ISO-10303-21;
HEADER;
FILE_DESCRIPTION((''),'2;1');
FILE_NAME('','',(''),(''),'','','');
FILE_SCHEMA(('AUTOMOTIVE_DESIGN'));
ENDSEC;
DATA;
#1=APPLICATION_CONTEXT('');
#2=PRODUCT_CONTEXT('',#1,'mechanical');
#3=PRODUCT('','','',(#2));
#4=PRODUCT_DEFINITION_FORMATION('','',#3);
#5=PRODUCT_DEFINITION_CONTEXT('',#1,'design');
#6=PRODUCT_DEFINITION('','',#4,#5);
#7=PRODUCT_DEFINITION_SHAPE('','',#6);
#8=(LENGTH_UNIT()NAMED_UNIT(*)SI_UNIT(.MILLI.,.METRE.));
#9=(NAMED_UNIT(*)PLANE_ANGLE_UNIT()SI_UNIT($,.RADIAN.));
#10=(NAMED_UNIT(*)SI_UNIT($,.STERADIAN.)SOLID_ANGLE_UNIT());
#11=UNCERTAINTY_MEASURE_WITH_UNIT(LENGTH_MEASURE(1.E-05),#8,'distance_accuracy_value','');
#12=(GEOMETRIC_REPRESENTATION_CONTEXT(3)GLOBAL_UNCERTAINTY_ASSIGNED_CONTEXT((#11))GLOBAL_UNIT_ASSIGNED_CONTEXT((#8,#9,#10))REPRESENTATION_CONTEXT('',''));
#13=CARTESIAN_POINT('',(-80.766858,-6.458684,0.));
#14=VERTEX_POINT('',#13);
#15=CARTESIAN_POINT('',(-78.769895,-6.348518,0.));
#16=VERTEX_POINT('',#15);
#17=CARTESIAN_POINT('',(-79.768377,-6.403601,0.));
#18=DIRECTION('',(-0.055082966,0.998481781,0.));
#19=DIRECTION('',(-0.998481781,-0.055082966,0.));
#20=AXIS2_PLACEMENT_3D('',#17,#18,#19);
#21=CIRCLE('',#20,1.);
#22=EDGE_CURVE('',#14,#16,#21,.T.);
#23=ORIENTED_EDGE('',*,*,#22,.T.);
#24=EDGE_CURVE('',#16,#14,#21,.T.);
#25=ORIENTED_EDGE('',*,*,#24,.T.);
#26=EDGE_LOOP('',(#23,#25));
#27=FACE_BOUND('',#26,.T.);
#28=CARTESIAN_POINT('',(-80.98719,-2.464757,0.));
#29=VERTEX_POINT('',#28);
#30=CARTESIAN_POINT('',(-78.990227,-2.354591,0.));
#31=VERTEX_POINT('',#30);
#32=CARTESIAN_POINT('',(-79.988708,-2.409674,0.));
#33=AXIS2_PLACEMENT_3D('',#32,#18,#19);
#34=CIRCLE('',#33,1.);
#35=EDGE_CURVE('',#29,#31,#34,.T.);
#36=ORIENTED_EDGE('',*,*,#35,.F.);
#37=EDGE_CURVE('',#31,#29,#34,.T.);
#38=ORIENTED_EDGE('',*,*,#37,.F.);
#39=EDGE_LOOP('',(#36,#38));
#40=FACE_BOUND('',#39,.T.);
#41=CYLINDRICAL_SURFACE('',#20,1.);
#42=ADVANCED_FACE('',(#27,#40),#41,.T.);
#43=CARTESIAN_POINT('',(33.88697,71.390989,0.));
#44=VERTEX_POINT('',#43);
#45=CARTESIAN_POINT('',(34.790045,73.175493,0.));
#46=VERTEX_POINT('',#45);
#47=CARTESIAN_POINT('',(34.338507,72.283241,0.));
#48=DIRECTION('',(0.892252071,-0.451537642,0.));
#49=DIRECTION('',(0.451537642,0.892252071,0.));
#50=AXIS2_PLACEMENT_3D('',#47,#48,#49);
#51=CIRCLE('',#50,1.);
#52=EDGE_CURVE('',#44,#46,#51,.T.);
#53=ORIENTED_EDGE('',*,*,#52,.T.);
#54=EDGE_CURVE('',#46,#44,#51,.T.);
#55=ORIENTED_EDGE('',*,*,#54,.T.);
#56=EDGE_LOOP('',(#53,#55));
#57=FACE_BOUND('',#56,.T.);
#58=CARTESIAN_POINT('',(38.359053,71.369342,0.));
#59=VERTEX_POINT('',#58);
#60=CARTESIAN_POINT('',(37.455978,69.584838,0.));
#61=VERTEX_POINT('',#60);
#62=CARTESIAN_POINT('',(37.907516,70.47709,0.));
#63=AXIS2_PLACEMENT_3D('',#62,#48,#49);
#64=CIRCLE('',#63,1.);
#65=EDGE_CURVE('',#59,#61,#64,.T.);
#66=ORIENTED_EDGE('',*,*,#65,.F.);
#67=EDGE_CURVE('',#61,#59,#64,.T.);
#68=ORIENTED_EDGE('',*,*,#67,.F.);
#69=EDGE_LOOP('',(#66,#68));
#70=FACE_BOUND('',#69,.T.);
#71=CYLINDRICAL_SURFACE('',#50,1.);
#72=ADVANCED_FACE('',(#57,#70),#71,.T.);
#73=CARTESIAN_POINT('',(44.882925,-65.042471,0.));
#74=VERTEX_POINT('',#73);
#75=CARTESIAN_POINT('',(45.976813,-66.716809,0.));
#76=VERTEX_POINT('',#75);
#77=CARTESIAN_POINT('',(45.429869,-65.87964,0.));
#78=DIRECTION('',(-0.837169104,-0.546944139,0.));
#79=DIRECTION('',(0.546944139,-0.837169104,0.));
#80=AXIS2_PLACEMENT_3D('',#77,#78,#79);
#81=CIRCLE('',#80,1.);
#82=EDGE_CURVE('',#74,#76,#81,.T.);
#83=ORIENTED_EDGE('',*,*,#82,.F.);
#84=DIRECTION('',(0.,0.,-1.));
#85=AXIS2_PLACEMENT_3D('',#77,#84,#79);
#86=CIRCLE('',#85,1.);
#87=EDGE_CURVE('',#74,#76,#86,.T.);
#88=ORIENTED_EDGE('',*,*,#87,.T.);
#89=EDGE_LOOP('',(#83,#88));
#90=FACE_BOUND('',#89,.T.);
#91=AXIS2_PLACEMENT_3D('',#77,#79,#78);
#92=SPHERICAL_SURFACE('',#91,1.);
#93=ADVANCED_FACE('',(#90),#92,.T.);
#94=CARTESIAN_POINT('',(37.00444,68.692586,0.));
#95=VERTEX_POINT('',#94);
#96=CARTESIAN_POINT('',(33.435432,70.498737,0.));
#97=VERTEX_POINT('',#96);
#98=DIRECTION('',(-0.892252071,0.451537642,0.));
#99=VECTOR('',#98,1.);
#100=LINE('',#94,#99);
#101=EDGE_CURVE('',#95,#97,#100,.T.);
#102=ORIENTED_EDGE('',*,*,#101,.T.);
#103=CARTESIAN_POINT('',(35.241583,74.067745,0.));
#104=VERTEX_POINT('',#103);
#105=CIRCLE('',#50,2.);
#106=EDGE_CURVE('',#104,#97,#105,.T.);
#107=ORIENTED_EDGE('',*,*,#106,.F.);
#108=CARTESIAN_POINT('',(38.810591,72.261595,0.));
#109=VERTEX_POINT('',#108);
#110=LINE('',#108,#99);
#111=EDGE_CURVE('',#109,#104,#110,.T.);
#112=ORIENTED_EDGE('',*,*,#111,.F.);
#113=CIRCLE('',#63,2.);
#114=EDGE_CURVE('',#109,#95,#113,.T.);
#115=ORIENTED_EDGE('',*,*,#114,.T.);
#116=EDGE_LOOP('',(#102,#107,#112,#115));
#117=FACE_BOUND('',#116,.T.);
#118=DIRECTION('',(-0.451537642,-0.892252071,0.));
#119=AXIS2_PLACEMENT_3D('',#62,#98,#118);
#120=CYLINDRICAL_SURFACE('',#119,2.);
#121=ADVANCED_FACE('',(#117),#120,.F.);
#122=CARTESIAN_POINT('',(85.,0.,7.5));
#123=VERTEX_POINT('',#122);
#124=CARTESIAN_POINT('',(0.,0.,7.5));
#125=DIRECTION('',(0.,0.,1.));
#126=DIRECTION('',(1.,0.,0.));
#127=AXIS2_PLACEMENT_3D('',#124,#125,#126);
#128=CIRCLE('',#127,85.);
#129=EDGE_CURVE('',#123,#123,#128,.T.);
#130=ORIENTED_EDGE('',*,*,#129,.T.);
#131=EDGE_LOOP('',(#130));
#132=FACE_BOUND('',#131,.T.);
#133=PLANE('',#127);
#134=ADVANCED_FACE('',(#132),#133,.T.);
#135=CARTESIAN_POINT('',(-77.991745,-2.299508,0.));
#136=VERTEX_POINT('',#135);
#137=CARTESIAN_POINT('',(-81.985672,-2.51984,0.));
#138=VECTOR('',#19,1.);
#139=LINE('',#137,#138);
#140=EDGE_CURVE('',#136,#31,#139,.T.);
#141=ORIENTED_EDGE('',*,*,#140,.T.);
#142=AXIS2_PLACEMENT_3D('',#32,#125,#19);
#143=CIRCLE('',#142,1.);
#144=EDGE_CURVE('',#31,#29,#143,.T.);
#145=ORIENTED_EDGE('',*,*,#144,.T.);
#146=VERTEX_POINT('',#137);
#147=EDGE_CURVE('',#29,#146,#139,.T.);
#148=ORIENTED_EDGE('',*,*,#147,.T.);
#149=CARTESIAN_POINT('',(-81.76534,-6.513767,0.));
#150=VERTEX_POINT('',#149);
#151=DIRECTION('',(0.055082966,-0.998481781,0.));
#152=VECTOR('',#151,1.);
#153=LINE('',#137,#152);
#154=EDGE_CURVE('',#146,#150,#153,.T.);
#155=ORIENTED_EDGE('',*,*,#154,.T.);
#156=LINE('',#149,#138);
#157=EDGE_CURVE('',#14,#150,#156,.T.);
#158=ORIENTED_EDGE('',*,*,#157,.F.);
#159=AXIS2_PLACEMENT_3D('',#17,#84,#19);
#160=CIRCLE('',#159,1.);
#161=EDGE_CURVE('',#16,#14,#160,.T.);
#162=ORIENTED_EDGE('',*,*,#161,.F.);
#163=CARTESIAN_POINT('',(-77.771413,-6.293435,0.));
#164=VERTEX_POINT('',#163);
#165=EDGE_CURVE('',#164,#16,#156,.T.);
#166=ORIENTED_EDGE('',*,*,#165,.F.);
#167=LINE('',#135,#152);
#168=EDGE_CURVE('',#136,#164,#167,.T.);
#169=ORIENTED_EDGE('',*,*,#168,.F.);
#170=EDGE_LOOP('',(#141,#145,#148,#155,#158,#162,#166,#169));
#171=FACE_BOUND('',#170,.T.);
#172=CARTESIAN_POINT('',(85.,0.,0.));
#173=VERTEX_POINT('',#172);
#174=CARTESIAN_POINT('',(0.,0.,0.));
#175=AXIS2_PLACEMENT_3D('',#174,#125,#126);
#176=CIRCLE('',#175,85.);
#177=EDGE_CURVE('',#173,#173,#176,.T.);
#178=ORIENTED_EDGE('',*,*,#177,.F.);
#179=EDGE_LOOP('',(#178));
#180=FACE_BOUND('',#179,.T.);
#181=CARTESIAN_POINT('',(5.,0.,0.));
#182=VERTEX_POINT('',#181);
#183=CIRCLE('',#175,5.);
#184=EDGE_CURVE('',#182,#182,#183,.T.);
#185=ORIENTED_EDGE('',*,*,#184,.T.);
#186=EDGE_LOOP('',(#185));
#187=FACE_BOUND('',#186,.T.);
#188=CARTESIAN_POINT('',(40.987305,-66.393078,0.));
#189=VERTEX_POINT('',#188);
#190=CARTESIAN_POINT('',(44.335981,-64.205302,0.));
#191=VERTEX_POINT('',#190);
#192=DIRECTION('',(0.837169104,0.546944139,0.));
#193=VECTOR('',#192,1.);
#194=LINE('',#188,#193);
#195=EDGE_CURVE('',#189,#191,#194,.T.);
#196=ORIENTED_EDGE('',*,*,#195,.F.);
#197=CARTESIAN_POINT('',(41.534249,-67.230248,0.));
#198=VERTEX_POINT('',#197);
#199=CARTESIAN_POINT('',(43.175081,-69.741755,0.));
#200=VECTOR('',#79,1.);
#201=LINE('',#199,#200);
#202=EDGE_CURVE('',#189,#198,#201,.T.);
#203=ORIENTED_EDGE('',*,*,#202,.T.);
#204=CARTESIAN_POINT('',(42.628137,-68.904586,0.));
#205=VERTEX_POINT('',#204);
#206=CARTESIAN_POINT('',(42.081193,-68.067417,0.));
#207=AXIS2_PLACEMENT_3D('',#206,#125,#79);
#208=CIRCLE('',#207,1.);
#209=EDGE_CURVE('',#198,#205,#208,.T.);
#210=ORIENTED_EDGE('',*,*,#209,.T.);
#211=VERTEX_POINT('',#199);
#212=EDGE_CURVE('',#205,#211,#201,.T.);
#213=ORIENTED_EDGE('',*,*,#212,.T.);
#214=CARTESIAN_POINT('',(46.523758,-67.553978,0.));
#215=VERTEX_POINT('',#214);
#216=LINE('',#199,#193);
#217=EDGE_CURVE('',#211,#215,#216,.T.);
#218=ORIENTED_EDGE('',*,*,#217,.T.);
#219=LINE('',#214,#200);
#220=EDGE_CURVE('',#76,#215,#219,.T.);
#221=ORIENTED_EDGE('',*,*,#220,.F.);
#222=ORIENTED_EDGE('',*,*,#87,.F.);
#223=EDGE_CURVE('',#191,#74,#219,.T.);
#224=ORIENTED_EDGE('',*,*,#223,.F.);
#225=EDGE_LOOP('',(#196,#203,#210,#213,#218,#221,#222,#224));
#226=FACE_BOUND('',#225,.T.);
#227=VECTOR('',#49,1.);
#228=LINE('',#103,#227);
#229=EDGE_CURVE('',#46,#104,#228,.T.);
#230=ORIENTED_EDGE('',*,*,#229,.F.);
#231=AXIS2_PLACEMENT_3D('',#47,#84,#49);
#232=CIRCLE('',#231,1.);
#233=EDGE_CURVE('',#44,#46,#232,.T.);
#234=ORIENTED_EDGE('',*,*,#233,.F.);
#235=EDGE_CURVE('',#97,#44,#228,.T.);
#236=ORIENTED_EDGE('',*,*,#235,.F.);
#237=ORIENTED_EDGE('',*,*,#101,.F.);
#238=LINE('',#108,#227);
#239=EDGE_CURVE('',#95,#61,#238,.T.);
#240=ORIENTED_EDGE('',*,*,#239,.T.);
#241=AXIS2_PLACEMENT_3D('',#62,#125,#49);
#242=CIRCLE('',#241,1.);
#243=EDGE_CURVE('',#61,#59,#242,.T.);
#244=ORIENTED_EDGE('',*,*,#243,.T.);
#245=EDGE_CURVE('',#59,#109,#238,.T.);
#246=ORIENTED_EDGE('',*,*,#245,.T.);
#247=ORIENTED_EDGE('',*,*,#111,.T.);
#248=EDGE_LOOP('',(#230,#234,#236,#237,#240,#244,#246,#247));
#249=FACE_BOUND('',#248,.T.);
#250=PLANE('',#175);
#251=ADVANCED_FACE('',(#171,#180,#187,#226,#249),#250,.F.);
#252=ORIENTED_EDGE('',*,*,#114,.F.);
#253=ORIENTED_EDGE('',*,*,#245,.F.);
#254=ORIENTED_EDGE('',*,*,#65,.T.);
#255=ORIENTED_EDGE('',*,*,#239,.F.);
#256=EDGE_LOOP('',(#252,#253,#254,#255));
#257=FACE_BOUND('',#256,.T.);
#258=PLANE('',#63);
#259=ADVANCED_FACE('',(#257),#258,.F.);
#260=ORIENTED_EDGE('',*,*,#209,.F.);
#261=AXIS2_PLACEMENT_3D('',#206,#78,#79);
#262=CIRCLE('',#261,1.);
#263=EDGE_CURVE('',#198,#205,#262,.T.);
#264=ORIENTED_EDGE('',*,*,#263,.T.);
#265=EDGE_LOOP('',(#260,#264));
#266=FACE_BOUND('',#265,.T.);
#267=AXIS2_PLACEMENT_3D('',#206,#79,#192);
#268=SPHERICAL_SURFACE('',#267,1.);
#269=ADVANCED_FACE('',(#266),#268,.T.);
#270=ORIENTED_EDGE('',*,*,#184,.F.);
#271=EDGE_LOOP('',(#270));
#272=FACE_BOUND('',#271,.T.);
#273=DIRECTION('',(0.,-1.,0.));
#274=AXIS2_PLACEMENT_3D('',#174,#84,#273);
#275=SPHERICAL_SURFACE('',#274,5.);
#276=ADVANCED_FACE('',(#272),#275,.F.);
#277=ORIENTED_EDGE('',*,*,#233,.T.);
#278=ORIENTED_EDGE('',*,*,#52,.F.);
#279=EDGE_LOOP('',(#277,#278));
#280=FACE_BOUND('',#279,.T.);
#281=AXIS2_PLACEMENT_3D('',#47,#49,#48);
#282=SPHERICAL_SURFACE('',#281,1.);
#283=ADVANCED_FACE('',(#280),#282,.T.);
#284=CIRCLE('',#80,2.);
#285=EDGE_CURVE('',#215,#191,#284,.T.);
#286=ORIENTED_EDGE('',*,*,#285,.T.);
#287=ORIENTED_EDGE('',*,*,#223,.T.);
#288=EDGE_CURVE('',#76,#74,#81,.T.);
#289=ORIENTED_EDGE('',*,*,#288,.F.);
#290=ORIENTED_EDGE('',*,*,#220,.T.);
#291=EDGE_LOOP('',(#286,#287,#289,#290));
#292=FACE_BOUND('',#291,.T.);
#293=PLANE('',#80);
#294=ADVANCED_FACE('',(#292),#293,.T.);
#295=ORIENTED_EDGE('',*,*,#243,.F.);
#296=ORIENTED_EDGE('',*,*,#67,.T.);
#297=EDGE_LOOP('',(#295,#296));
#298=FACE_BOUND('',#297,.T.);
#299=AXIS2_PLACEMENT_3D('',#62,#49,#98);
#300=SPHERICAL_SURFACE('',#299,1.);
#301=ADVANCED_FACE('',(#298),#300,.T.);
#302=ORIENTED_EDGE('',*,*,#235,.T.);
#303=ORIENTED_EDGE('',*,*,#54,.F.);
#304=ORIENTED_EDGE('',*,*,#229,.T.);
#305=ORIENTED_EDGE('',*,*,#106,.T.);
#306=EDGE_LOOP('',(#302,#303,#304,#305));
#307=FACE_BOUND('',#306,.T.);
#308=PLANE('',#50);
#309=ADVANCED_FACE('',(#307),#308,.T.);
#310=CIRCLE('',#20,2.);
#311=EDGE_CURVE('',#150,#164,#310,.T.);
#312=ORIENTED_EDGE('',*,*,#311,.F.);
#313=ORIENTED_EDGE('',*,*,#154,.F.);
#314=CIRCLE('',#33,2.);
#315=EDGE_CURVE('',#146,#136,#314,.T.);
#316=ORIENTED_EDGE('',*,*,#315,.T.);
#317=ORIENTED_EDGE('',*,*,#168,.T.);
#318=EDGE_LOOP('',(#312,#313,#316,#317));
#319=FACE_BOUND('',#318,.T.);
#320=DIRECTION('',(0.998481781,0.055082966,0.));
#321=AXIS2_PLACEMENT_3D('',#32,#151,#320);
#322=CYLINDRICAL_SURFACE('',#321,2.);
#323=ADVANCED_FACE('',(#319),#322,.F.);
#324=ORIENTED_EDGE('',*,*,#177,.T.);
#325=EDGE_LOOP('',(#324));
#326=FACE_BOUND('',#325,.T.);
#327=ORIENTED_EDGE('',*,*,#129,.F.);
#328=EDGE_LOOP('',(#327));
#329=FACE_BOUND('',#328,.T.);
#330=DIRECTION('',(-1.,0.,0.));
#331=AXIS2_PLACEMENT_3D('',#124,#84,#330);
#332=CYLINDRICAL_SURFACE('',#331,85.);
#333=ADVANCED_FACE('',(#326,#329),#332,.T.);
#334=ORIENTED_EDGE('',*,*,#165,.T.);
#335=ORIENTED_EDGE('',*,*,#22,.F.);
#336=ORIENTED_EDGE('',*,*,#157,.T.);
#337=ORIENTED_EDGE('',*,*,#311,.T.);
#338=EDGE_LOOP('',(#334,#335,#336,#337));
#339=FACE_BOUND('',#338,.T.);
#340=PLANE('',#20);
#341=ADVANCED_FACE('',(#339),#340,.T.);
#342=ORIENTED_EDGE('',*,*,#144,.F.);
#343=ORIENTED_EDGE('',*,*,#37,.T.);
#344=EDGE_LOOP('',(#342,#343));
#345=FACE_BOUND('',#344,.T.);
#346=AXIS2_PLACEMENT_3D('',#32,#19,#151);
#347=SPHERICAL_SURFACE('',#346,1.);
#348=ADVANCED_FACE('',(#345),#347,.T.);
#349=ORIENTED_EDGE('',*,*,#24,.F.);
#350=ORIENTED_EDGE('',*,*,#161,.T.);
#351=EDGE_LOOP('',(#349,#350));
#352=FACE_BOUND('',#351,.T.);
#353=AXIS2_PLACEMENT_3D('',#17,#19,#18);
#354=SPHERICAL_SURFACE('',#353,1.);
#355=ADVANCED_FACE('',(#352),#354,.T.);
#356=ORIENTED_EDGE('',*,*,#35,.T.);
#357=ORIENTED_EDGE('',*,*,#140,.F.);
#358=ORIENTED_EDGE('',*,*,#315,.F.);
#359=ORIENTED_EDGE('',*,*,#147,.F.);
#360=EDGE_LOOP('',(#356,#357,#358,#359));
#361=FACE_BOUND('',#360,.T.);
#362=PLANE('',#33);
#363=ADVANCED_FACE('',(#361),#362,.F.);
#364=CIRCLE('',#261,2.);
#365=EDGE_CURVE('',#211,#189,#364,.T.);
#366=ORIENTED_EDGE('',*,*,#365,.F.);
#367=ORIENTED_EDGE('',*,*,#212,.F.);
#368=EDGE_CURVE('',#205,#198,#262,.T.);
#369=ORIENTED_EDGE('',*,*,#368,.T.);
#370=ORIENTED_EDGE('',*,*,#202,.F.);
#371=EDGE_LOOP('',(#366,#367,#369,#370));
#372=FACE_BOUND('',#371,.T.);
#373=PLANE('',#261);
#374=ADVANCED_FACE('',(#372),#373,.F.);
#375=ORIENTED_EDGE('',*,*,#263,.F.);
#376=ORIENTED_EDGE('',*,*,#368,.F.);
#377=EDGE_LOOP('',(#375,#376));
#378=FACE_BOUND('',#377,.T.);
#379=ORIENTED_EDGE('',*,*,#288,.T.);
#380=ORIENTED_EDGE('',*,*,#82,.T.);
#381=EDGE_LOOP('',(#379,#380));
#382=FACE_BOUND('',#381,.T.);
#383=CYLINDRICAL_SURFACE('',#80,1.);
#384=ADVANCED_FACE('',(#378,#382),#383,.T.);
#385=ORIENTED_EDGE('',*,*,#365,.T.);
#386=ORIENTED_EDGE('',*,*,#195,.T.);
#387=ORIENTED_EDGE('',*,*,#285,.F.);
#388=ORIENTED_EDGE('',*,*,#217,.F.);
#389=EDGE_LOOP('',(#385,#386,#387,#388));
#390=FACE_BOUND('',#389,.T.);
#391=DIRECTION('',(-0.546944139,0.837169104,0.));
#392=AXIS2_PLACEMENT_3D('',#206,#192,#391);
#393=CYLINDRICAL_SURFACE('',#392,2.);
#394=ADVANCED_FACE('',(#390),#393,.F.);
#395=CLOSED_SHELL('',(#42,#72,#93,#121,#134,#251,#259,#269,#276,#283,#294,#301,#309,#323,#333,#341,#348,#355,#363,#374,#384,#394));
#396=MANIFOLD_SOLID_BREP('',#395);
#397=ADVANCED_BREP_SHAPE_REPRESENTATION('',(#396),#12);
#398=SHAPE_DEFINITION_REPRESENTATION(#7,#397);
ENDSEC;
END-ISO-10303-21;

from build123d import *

# Parameters (mm, degrees)
SKETCH1_R                = 85
BOSS_EXTRUDE1_DEPTH      = 7.5
CUT_EXTRUDE1_DEPTH       = 2
SKETCH4_R                = 1
BOSS_EXTRUDE2_DEPTH      = 2
REVOLVE1_ANGLE           = 90
CIRPATTERN1_COUNT        = 3
CIRPATTERN1_COPY_1_ANGLE = 90
CIRPATTERN1_COPY_2_ANGLE = 90


with BuildPart() as part:
    # Sketch1 → Boss-Extrude1 (new body)
    with BuildSketch(Plane.XY):
        Circle(SKETCH1_R)
    extrude(amount=BOSS_EXTRUDE1_DEPTH)

    # Sketch3 → Cut-Extrude1 (cut, symmetric)
    with BuildSketch(Plane(origin=(0, 0, -92.825007953), x_dir=(0, 0, -1), z_dir=(-0.8371691043312235, -0.5469441386039866, 0))):
        with BuildLine():
            Line((-92.825007953, 82), (-92.825007953, 78))
            ThreePointArc((-92.825007953, 78), (-94.825007953, 80), (-92.825007953, 82))
        make_face()
    cut_extrude1 = extrude(amount=CUT_EXTRUDE1_DEPTH, both=True, mode=Mode.SUBTRACT)

    # Sketch4 → Boss-Extrude2 (add, symmetric)
    with BuildSketch(Plane(origin=(0, 0, -92.825007953), x_dir=(0, 0, -1), z_dir=(-0.8371691043312235, -0.5469441386039866, 0))):
        with Locations((-92.825007953, 80)):
            Circle(SKETCH4_R)
    boss_extrude2 = extrude(amount=BOSS_EXTRUDE2_DEPTH, both=True)

    # Sketch5 → Revolve1 (revolve)
    with BuildSketch(Plane(origin=(-1.674338209, -1.093888277, 0), x_dir=(0, 0, -1), z_dir=(-0.8371691043312235, -0.5469441386039867, 0))):
        with BuildLine():
            ThreePointArc((0, 79), (1, 80), (0, 81))
            Line((0, 81), (0, 79))
        make_face()
    revolve1 = revolve(axis=Axis((42.628137018, -68.904585728, 0), (-0.5469441386039868, 0.8371691043312235, 0)), revolution_arc=REVOLVE1_ANGLE)

    # Mirror1: Revolve1 across plane
    add(revolve1.mirror(Plane(origin=(0, 0, 0), x_dir=(0, 0, 1), z_dir=(0.8371691043312218, 0.5469441386039892, -2.013840245446376e-15))))

    # CirPattern1: Cut-Extrude1, Boss-Extrude2, Revolve1 ×3 about axis
    cirpattern1_axis = Axis((0, 0, 7.5), (0, 0, -1))
    add([cut_extrude1.rotate(cirpattern1_axis, i * 360 / CIRPATTERN1_COUNT) for i in range(1, CIRPATTERN1_COUNT)], mode=Mode.SUBTRACT)
    add([boss_extrude2.rotate(cirpattern1_axis, i * 360 / CIRPATTERN1_COUNT) for i in range(1, CIRPATTERN1_COUNT)])
    add([revolve1.rotate(cirpattern1_axis, i * 360 / CIRPATTERN1_COUNT) for i in range(1, CIRPATTERN1_COUNT)])

    # CirPattern1 copy 1 sketch → CirPattern1 copy 1 (revolve)
    with BuildSketch(Plane(origin=(0.110165933, -1.996963562, 0), x_dir=(0, 0, -1), z_dir=(0.055082966316444104, -0.9984817809162979, -4.022974273625351e-15))):
        with BuildLine():
            ThreePointArc((0, -79), (1, -80), (0, -81))
            Line((0, -81), (0, -79))
        make_face()
    revolve(axis=Axis((-80.766858322, -6.458683833, 0), (-0.9984817809162977, -0.05508296631644394, 0)), revolution_arc=CIRPATTERN1_COPY_1_ANGLE)

    # CirPattern1 copy 2 sketch → CirPattern1 copy 2 (revolve)
    with BuildSketch(Plane(origin=(-1.784504141, 0.903075285, 0), x_dir=(0, 0, -1), z_dir=(-0.8922520706476645, 0.45153764231230564, -4.022974273625351e-15))):
        with BuildLine():
            ThreePointArc((0, -79), (1, -80), (0, -81))
            Line((0, -81), (0, -79))
        make_face()
    revolve(axis=Axis((34.790044886, 73.175493007, 0), (0.45153764231230564, 0.8922520706476642, 0)), revolution_arc=CIRPATTERN1_COPY_2_ANGLE)

    # Sketch6 → Cut-Revolve1 (revolve, cut)
    with BuildSketch(Plane(origin=(0, 0, 0), x_dir=(0, 0, -1), z_dir=(1, 0, 0))):
        with BuildLine():
            Line((5, 0), (-5, 0))
            ThreePointArc((-5, 0), (0, 5), (5, 0))
        make_face()
    revolve(axis=Axis((0, 0, -5), (0, 0, 1)), mode=Mode.SUBTRACT)


solid = part.part
